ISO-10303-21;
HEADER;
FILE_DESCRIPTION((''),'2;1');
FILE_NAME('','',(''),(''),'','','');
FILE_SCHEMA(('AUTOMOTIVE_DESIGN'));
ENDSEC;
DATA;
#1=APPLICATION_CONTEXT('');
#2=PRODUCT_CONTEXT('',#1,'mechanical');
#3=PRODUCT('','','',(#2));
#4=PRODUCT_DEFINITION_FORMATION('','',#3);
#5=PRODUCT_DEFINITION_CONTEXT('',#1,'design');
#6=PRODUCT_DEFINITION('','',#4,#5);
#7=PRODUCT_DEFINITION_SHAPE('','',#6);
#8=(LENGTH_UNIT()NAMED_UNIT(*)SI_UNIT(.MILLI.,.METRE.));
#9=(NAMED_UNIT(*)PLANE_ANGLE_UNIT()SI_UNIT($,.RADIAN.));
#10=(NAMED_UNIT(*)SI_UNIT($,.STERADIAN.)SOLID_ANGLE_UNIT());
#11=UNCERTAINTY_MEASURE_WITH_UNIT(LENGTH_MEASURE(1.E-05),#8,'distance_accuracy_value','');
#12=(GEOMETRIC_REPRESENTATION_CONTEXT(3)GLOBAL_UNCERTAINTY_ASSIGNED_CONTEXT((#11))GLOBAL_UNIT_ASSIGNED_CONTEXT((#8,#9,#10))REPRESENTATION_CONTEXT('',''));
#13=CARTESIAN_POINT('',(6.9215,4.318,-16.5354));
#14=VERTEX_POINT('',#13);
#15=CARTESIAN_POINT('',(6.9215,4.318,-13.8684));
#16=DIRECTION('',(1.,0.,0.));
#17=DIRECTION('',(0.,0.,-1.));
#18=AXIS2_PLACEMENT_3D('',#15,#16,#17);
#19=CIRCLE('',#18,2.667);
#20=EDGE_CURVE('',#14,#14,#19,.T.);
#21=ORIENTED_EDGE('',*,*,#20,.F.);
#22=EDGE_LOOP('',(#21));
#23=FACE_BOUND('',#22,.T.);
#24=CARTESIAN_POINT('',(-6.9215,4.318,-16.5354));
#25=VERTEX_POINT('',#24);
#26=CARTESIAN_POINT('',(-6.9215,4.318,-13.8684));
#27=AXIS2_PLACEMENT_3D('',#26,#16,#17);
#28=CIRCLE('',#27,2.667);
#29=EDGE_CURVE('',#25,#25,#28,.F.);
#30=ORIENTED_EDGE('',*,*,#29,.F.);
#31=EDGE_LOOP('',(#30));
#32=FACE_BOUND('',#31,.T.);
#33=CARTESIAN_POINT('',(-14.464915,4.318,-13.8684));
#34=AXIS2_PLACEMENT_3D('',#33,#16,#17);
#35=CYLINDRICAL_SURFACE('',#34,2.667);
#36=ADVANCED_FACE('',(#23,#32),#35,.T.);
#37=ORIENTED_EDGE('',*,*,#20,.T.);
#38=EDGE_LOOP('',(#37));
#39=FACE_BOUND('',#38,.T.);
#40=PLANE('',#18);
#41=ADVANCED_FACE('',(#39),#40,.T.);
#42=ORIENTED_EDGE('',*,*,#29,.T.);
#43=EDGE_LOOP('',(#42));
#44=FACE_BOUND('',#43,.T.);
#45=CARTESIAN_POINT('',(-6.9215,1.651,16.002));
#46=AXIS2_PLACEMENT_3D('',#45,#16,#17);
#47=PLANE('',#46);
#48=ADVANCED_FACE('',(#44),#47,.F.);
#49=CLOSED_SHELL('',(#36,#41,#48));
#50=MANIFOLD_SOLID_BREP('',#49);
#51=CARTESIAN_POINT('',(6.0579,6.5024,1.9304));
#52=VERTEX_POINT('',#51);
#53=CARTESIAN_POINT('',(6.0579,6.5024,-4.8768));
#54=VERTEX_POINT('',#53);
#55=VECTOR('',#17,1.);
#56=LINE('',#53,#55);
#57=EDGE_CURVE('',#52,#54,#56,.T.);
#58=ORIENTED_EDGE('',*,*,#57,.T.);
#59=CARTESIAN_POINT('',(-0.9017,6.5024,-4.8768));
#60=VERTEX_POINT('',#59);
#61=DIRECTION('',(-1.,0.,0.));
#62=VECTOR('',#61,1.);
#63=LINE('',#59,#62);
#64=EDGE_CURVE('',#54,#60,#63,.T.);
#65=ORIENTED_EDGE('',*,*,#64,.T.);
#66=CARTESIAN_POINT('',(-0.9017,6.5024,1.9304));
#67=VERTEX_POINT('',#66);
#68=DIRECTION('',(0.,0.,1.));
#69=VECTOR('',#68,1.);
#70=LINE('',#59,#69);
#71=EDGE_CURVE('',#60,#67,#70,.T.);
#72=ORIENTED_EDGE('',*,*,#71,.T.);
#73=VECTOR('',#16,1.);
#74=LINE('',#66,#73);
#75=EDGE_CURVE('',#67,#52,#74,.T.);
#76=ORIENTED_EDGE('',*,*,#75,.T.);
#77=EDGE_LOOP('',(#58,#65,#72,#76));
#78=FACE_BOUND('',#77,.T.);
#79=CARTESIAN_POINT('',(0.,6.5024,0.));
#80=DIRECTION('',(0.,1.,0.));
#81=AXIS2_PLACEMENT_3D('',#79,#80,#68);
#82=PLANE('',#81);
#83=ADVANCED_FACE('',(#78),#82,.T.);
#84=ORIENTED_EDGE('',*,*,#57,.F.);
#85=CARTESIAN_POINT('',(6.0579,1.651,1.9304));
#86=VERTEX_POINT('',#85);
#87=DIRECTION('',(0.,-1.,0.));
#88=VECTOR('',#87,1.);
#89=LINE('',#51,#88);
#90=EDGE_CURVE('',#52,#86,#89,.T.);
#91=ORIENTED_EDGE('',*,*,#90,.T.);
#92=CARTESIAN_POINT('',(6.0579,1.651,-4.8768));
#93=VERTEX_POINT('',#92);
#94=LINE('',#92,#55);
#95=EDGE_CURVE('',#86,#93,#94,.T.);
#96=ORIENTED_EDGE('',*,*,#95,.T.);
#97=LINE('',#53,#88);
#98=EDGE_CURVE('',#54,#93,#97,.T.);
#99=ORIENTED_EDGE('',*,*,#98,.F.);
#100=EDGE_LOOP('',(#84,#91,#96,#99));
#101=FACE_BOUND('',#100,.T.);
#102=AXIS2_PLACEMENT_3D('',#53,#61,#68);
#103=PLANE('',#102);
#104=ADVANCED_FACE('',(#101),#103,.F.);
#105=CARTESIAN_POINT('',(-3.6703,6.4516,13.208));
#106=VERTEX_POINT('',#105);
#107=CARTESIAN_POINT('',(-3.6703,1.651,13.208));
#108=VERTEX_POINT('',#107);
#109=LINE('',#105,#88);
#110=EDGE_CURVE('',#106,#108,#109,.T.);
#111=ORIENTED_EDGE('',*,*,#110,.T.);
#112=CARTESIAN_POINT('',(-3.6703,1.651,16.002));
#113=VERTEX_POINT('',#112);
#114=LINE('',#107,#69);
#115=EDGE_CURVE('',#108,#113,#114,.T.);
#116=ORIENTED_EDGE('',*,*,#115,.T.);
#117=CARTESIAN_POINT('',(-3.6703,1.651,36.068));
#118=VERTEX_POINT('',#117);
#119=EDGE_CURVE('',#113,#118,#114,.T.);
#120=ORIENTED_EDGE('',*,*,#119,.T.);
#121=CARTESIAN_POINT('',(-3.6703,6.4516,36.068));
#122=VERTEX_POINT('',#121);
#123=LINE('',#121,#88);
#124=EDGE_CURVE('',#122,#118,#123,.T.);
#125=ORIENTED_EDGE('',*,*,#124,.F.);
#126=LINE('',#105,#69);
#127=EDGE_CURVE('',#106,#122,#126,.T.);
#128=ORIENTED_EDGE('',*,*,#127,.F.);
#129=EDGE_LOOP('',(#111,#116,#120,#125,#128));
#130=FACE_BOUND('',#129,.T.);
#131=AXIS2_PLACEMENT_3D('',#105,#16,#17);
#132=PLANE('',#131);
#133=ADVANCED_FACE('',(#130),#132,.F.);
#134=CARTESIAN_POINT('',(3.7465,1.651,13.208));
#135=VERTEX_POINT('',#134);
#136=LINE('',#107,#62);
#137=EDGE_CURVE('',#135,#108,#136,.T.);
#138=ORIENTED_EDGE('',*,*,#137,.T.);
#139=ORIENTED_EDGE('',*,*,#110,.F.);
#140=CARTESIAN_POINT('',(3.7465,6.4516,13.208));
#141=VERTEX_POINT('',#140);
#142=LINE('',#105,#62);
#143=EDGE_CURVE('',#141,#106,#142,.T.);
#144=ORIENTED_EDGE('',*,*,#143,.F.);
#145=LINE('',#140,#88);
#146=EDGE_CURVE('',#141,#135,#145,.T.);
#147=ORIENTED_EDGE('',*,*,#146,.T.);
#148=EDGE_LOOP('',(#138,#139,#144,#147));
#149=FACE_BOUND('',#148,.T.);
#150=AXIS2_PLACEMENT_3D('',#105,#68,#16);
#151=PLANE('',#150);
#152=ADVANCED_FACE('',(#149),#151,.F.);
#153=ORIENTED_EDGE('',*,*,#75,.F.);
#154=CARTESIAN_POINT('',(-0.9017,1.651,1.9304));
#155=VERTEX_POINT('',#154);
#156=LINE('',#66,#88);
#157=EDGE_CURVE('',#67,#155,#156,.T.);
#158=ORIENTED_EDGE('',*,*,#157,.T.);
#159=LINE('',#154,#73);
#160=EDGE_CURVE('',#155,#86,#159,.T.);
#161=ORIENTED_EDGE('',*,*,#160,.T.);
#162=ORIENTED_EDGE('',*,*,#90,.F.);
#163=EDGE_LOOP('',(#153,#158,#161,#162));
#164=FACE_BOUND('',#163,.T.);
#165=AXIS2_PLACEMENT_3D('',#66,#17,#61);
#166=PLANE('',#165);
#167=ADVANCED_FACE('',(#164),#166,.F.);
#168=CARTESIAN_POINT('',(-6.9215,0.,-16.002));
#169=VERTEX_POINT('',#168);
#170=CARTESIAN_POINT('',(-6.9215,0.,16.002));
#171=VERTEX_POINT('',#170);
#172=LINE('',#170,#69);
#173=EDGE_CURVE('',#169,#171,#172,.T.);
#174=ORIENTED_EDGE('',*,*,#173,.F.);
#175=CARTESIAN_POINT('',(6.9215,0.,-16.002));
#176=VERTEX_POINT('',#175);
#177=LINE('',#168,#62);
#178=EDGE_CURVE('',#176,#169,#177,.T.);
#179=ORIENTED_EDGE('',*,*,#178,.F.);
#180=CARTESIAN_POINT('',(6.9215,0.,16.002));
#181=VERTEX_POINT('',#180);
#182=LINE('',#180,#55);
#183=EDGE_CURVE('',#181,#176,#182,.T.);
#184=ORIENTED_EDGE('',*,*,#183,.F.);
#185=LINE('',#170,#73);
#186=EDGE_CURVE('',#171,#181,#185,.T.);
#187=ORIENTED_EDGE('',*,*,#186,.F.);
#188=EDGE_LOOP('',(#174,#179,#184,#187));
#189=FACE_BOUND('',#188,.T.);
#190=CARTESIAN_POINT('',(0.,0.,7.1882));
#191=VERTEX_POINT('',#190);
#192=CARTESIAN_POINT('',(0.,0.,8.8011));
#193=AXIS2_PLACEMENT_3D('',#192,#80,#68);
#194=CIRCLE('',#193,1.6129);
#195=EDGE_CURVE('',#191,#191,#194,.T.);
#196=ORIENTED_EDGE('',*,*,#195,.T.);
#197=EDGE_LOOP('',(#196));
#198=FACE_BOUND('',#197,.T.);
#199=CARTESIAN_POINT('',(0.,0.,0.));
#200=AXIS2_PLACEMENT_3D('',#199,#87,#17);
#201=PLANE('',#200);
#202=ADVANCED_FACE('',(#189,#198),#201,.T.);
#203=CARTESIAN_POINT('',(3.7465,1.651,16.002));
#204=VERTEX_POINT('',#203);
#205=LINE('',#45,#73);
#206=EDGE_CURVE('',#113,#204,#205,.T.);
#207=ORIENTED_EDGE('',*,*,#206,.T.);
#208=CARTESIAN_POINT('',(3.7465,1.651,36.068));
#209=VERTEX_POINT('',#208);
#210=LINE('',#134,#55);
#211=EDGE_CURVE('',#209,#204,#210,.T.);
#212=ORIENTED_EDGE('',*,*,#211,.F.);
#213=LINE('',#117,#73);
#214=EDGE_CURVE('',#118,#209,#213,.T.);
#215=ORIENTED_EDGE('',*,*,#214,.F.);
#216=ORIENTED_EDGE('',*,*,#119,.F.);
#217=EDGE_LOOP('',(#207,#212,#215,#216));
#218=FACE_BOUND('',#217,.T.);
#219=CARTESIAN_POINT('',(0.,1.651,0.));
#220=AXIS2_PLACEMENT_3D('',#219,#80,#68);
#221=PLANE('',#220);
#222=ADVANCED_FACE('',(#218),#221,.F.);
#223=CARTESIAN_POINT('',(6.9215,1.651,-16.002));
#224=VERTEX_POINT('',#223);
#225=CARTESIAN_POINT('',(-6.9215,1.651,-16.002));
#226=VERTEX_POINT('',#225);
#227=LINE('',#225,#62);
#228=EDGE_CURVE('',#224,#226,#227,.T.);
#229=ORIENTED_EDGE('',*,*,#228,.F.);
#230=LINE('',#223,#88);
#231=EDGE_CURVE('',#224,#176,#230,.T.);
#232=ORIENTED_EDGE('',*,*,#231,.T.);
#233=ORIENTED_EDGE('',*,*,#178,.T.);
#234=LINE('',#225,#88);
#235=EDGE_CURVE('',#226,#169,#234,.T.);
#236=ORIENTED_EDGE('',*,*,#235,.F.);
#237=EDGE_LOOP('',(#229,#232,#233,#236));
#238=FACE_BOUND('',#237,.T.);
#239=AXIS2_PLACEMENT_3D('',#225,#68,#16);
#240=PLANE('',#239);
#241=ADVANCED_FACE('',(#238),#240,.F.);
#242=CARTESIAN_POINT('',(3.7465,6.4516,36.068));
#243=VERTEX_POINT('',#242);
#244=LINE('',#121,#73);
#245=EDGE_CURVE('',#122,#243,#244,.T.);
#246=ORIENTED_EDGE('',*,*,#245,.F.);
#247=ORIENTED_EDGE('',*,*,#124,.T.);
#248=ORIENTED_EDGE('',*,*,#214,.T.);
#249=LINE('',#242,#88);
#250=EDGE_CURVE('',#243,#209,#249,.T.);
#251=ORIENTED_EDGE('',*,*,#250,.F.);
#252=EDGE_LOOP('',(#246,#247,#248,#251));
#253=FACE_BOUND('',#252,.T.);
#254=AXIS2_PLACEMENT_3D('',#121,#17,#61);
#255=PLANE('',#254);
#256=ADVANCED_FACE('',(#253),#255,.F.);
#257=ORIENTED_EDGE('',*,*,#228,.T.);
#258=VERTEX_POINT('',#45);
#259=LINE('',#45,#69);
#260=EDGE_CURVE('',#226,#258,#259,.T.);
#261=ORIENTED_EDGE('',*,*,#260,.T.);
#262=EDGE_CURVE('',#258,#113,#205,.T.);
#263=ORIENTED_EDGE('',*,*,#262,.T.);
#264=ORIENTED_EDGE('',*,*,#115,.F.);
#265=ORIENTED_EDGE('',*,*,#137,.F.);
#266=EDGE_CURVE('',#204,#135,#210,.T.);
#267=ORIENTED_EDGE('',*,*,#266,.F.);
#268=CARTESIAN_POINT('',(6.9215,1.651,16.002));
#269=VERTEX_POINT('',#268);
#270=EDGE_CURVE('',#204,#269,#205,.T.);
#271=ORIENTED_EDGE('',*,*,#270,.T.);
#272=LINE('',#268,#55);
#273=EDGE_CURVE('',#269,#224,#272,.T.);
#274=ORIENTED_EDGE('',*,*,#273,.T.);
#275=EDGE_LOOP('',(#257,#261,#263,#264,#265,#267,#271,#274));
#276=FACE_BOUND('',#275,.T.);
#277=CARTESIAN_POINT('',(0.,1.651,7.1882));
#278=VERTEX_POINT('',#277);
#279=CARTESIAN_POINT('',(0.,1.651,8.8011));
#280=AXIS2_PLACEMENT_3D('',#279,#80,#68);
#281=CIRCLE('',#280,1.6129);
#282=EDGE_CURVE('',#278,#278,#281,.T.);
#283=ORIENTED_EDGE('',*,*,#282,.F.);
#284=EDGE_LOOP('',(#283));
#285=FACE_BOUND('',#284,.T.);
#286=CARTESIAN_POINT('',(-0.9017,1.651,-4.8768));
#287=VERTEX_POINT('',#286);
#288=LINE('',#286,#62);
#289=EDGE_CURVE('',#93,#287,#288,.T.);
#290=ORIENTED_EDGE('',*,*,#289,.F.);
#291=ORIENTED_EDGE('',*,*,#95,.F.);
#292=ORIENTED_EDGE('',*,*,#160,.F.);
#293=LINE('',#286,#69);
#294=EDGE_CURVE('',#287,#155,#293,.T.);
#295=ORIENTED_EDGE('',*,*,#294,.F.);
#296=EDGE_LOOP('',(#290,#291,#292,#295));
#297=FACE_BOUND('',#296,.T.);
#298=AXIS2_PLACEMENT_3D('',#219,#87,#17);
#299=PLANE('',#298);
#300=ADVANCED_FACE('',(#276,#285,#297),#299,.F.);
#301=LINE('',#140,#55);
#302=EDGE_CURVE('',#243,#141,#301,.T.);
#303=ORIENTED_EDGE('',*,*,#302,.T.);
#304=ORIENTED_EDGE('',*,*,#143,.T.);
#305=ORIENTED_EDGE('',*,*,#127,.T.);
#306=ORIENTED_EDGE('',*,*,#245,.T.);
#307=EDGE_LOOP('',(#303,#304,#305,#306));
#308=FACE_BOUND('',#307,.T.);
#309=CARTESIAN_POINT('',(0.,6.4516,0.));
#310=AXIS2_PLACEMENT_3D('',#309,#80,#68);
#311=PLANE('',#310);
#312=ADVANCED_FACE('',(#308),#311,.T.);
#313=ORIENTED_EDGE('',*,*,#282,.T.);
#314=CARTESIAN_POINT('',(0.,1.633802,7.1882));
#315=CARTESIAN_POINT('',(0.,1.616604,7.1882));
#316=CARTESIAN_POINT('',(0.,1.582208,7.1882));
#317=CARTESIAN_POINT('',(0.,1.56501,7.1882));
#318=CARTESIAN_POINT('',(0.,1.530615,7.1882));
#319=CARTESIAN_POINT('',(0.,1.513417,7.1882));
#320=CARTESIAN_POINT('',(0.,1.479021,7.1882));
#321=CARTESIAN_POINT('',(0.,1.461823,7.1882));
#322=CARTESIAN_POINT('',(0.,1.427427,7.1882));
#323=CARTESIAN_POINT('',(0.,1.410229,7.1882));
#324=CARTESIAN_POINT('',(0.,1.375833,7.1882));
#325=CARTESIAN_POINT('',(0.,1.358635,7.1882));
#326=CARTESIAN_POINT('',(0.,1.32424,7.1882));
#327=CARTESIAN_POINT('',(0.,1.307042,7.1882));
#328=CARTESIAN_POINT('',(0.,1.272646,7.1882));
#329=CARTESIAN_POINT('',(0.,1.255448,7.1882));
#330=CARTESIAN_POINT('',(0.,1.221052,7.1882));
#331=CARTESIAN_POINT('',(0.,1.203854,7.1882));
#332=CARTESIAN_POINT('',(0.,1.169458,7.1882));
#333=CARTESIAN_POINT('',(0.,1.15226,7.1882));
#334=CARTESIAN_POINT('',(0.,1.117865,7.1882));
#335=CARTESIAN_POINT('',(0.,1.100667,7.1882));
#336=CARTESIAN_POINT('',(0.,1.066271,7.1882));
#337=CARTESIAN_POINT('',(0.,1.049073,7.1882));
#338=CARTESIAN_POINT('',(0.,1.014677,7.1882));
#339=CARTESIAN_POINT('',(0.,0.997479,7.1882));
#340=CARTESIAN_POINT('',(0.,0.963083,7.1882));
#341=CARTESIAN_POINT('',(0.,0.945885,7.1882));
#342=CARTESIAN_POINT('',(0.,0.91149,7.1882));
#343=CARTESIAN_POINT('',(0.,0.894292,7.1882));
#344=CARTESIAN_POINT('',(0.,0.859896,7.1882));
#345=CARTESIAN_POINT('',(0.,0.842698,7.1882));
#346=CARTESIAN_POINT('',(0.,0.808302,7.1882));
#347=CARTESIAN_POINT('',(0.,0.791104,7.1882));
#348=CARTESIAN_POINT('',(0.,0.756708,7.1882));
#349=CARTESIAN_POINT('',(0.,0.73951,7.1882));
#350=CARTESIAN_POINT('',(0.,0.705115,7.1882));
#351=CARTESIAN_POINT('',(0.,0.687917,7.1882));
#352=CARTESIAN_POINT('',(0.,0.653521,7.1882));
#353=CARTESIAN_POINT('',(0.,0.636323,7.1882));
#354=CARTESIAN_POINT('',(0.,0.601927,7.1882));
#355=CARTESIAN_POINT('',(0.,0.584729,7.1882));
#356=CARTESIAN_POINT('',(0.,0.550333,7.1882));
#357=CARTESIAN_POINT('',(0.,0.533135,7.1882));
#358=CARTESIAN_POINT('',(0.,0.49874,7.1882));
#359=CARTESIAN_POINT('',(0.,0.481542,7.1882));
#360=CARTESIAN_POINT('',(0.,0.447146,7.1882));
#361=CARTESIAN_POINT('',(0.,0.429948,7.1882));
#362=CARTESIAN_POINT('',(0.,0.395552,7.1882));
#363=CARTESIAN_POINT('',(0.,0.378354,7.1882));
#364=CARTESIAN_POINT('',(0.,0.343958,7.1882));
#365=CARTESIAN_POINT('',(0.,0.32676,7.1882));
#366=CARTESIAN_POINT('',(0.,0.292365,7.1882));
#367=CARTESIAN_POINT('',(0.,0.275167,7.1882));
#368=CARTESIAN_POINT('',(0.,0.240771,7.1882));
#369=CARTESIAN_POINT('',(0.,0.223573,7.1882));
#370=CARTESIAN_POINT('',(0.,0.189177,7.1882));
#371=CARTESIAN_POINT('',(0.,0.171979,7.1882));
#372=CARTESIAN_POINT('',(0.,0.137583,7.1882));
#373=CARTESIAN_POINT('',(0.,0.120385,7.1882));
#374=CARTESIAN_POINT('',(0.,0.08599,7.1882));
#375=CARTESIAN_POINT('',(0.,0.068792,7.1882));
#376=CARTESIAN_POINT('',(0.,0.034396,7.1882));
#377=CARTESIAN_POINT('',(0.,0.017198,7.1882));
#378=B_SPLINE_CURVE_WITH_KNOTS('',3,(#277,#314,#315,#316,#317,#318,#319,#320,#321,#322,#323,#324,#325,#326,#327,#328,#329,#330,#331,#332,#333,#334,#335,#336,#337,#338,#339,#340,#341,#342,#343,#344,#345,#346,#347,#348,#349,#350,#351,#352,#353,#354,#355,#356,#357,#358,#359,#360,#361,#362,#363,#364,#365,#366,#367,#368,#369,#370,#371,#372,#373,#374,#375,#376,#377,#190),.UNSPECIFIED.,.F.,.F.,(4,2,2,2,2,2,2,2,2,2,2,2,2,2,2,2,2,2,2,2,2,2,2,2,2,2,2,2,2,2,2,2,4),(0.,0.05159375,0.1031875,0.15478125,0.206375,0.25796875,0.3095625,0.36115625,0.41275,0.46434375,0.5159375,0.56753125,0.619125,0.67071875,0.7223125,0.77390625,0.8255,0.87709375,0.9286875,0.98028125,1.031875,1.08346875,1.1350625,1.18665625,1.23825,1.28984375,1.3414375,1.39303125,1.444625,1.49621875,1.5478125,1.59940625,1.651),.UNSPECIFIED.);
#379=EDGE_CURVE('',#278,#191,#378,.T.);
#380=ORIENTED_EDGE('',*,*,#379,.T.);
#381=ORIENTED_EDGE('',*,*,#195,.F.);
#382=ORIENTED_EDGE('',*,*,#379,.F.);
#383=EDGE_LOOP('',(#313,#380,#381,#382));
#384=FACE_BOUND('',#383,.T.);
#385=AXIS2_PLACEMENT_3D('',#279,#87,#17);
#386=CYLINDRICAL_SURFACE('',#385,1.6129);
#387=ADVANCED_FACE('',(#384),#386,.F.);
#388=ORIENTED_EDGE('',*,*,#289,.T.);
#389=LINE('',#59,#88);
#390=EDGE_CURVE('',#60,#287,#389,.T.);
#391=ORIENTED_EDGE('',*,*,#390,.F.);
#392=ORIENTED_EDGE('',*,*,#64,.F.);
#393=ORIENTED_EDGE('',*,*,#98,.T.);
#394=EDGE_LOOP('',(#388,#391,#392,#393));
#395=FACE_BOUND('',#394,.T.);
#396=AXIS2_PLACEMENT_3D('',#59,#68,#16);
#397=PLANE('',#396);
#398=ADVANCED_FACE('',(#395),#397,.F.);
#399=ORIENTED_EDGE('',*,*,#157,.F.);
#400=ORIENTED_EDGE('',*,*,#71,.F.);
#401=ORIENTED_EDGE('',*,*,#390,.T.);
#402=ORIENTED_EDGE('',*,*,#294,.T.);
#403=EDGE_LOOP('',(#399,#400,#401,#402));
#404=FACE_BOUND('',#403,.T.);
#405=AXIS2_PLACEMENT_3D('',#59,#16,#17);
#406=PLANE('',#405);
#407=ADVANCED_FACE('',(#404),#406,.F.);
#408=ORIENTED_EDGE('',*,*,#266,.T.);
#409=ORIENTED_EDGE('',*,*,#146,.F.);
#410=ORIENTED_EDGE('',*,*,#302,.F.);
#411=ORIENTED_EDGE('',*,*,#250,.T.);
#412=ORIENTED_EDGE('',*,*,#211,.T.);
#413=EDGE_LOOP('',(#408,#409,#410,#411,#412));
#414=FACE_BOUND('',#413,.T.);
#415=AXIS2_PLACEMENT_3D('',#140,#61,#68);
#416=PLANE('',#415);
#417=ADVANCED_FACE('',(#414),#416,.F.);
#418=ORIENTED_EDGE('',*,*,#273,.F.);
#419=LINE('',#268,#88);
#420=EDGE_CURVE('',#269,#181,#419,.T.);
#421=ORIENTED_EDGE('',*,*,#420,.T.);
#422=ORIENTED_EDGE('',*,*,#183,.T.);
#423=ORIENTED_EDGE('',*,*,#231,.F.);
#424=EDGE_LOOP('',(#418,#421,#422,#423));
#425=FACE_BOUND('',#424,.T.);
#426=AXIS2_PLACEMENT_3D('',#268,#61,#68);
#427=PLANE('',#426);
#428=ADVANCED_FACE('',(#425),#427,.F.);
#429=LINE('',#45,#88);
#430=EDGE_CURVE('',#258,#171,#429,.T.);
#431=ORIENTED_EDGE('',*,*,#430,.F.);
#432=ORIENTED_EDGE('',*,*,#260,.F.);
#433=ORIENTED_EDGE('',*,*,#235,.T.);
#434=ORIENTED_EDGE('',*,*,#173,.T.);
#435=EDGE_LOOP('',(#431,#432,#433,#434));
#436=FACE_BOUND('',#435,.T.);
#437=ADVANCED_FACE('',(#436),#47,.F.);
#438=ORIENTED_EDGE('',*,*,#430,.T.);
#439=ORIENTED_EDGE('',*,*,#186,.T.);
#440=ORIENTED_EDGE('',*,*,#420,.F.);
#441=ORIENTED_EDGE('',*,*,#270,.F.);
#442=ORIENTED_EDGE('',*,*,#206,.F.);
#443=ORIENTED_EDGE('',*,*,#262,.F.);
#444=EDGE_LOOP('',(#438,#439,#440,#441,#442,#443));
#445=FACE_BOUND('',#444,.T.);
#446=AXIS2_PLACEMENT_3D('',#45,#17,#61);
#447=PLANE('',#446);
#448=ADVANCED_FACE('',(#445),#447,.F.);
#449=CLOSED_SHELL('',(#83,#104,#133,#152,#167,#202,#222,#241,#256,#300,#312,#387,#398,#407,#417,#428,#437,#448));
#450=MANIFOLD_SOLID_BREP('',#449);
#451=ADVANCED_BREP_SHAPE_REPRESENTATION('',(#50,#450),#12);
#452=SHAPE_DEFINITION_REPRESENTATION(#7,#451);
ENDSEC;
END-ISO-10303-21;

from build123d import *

# Parameters (mm, degrees)
SKETCH1_W           = 13.843
SKETCH1_H           = 32.004
SKETCH1_R           = 1.6129
BOSS_EXTRUDE1_DEPTH = 1.651
SKETCH2_R           = 2.667
BOSS_EXTRUDE2_DEPTH = 13.843
SKETCH3_W           = 6.9596
SKETCH3_H           = 6.8072
BOSS_EXTRUDE3_DEPTH = 4.8514
SKETCH4_W           = 7.4168
SKETCH4_H           = 22.86
BOSS_EXTRUDE4_DEPTH = 4.8006


with BuildPart() as part:
    # Sketch1 → Boss-Extrude1 (new body)
    with BuildSketch(Plane(origin=(0, 0, 0), x_dir=(1, 0, 0), z_dir=(0, 1, 0))):
        Rectangle(SKETCH1_W, SKETCH1_H)
        with Locations(Location((0, -8.8011, 0), (0, 0, 90))):
            Circle(SKETCH1_R, mode=Mode.SUBTRACT)
    extrude(amount=BOSS_EXTRUDE1_DEPTH)

    # Sketch3 → Boss-Extrude3 (add)
    with BuildSketch(Plane(origin=(0, 1.651, 0), x_dir=(1, 0, 0), z_dir=(0, 1, 0))):
        with Locations((2.5781, 1.4732)):
            Rectangle(SKETCH3_W, SKETCH3_H)
    extrude(amount=BOSS_EXTRUDE3_DEPTH)

    # Sketch4 → Boss-Extrude4 (add)
    with BuildSketch(Plane(origin=(0, 1.651, 0), x_dir=(1, 0, 0), z_dir=(0, 1, 0))):
        with Locations((0.0381, -24.638)):
            Rectangle(SKETCH4_W, SKETCH4_H)
    extrude(amount=BOSS_EXTRUDE4_DEPTH)


with BuildPart() as body_2:
    # Sketch2 → Boss-Extrude2 (new body)
    with BuildSketch(Plane(origin=(6.9215, 0, 0), x_dir=(0, 0, -1), z_dir=(1, 0, 0))):
        with Locations((13.8684, 4.318)):
            Circle(SKETCH2_R)
    extrude(amount=-BOSS_EXTRUDE2_DEPTH)


solid = Compound([part.part, body_2.part])
